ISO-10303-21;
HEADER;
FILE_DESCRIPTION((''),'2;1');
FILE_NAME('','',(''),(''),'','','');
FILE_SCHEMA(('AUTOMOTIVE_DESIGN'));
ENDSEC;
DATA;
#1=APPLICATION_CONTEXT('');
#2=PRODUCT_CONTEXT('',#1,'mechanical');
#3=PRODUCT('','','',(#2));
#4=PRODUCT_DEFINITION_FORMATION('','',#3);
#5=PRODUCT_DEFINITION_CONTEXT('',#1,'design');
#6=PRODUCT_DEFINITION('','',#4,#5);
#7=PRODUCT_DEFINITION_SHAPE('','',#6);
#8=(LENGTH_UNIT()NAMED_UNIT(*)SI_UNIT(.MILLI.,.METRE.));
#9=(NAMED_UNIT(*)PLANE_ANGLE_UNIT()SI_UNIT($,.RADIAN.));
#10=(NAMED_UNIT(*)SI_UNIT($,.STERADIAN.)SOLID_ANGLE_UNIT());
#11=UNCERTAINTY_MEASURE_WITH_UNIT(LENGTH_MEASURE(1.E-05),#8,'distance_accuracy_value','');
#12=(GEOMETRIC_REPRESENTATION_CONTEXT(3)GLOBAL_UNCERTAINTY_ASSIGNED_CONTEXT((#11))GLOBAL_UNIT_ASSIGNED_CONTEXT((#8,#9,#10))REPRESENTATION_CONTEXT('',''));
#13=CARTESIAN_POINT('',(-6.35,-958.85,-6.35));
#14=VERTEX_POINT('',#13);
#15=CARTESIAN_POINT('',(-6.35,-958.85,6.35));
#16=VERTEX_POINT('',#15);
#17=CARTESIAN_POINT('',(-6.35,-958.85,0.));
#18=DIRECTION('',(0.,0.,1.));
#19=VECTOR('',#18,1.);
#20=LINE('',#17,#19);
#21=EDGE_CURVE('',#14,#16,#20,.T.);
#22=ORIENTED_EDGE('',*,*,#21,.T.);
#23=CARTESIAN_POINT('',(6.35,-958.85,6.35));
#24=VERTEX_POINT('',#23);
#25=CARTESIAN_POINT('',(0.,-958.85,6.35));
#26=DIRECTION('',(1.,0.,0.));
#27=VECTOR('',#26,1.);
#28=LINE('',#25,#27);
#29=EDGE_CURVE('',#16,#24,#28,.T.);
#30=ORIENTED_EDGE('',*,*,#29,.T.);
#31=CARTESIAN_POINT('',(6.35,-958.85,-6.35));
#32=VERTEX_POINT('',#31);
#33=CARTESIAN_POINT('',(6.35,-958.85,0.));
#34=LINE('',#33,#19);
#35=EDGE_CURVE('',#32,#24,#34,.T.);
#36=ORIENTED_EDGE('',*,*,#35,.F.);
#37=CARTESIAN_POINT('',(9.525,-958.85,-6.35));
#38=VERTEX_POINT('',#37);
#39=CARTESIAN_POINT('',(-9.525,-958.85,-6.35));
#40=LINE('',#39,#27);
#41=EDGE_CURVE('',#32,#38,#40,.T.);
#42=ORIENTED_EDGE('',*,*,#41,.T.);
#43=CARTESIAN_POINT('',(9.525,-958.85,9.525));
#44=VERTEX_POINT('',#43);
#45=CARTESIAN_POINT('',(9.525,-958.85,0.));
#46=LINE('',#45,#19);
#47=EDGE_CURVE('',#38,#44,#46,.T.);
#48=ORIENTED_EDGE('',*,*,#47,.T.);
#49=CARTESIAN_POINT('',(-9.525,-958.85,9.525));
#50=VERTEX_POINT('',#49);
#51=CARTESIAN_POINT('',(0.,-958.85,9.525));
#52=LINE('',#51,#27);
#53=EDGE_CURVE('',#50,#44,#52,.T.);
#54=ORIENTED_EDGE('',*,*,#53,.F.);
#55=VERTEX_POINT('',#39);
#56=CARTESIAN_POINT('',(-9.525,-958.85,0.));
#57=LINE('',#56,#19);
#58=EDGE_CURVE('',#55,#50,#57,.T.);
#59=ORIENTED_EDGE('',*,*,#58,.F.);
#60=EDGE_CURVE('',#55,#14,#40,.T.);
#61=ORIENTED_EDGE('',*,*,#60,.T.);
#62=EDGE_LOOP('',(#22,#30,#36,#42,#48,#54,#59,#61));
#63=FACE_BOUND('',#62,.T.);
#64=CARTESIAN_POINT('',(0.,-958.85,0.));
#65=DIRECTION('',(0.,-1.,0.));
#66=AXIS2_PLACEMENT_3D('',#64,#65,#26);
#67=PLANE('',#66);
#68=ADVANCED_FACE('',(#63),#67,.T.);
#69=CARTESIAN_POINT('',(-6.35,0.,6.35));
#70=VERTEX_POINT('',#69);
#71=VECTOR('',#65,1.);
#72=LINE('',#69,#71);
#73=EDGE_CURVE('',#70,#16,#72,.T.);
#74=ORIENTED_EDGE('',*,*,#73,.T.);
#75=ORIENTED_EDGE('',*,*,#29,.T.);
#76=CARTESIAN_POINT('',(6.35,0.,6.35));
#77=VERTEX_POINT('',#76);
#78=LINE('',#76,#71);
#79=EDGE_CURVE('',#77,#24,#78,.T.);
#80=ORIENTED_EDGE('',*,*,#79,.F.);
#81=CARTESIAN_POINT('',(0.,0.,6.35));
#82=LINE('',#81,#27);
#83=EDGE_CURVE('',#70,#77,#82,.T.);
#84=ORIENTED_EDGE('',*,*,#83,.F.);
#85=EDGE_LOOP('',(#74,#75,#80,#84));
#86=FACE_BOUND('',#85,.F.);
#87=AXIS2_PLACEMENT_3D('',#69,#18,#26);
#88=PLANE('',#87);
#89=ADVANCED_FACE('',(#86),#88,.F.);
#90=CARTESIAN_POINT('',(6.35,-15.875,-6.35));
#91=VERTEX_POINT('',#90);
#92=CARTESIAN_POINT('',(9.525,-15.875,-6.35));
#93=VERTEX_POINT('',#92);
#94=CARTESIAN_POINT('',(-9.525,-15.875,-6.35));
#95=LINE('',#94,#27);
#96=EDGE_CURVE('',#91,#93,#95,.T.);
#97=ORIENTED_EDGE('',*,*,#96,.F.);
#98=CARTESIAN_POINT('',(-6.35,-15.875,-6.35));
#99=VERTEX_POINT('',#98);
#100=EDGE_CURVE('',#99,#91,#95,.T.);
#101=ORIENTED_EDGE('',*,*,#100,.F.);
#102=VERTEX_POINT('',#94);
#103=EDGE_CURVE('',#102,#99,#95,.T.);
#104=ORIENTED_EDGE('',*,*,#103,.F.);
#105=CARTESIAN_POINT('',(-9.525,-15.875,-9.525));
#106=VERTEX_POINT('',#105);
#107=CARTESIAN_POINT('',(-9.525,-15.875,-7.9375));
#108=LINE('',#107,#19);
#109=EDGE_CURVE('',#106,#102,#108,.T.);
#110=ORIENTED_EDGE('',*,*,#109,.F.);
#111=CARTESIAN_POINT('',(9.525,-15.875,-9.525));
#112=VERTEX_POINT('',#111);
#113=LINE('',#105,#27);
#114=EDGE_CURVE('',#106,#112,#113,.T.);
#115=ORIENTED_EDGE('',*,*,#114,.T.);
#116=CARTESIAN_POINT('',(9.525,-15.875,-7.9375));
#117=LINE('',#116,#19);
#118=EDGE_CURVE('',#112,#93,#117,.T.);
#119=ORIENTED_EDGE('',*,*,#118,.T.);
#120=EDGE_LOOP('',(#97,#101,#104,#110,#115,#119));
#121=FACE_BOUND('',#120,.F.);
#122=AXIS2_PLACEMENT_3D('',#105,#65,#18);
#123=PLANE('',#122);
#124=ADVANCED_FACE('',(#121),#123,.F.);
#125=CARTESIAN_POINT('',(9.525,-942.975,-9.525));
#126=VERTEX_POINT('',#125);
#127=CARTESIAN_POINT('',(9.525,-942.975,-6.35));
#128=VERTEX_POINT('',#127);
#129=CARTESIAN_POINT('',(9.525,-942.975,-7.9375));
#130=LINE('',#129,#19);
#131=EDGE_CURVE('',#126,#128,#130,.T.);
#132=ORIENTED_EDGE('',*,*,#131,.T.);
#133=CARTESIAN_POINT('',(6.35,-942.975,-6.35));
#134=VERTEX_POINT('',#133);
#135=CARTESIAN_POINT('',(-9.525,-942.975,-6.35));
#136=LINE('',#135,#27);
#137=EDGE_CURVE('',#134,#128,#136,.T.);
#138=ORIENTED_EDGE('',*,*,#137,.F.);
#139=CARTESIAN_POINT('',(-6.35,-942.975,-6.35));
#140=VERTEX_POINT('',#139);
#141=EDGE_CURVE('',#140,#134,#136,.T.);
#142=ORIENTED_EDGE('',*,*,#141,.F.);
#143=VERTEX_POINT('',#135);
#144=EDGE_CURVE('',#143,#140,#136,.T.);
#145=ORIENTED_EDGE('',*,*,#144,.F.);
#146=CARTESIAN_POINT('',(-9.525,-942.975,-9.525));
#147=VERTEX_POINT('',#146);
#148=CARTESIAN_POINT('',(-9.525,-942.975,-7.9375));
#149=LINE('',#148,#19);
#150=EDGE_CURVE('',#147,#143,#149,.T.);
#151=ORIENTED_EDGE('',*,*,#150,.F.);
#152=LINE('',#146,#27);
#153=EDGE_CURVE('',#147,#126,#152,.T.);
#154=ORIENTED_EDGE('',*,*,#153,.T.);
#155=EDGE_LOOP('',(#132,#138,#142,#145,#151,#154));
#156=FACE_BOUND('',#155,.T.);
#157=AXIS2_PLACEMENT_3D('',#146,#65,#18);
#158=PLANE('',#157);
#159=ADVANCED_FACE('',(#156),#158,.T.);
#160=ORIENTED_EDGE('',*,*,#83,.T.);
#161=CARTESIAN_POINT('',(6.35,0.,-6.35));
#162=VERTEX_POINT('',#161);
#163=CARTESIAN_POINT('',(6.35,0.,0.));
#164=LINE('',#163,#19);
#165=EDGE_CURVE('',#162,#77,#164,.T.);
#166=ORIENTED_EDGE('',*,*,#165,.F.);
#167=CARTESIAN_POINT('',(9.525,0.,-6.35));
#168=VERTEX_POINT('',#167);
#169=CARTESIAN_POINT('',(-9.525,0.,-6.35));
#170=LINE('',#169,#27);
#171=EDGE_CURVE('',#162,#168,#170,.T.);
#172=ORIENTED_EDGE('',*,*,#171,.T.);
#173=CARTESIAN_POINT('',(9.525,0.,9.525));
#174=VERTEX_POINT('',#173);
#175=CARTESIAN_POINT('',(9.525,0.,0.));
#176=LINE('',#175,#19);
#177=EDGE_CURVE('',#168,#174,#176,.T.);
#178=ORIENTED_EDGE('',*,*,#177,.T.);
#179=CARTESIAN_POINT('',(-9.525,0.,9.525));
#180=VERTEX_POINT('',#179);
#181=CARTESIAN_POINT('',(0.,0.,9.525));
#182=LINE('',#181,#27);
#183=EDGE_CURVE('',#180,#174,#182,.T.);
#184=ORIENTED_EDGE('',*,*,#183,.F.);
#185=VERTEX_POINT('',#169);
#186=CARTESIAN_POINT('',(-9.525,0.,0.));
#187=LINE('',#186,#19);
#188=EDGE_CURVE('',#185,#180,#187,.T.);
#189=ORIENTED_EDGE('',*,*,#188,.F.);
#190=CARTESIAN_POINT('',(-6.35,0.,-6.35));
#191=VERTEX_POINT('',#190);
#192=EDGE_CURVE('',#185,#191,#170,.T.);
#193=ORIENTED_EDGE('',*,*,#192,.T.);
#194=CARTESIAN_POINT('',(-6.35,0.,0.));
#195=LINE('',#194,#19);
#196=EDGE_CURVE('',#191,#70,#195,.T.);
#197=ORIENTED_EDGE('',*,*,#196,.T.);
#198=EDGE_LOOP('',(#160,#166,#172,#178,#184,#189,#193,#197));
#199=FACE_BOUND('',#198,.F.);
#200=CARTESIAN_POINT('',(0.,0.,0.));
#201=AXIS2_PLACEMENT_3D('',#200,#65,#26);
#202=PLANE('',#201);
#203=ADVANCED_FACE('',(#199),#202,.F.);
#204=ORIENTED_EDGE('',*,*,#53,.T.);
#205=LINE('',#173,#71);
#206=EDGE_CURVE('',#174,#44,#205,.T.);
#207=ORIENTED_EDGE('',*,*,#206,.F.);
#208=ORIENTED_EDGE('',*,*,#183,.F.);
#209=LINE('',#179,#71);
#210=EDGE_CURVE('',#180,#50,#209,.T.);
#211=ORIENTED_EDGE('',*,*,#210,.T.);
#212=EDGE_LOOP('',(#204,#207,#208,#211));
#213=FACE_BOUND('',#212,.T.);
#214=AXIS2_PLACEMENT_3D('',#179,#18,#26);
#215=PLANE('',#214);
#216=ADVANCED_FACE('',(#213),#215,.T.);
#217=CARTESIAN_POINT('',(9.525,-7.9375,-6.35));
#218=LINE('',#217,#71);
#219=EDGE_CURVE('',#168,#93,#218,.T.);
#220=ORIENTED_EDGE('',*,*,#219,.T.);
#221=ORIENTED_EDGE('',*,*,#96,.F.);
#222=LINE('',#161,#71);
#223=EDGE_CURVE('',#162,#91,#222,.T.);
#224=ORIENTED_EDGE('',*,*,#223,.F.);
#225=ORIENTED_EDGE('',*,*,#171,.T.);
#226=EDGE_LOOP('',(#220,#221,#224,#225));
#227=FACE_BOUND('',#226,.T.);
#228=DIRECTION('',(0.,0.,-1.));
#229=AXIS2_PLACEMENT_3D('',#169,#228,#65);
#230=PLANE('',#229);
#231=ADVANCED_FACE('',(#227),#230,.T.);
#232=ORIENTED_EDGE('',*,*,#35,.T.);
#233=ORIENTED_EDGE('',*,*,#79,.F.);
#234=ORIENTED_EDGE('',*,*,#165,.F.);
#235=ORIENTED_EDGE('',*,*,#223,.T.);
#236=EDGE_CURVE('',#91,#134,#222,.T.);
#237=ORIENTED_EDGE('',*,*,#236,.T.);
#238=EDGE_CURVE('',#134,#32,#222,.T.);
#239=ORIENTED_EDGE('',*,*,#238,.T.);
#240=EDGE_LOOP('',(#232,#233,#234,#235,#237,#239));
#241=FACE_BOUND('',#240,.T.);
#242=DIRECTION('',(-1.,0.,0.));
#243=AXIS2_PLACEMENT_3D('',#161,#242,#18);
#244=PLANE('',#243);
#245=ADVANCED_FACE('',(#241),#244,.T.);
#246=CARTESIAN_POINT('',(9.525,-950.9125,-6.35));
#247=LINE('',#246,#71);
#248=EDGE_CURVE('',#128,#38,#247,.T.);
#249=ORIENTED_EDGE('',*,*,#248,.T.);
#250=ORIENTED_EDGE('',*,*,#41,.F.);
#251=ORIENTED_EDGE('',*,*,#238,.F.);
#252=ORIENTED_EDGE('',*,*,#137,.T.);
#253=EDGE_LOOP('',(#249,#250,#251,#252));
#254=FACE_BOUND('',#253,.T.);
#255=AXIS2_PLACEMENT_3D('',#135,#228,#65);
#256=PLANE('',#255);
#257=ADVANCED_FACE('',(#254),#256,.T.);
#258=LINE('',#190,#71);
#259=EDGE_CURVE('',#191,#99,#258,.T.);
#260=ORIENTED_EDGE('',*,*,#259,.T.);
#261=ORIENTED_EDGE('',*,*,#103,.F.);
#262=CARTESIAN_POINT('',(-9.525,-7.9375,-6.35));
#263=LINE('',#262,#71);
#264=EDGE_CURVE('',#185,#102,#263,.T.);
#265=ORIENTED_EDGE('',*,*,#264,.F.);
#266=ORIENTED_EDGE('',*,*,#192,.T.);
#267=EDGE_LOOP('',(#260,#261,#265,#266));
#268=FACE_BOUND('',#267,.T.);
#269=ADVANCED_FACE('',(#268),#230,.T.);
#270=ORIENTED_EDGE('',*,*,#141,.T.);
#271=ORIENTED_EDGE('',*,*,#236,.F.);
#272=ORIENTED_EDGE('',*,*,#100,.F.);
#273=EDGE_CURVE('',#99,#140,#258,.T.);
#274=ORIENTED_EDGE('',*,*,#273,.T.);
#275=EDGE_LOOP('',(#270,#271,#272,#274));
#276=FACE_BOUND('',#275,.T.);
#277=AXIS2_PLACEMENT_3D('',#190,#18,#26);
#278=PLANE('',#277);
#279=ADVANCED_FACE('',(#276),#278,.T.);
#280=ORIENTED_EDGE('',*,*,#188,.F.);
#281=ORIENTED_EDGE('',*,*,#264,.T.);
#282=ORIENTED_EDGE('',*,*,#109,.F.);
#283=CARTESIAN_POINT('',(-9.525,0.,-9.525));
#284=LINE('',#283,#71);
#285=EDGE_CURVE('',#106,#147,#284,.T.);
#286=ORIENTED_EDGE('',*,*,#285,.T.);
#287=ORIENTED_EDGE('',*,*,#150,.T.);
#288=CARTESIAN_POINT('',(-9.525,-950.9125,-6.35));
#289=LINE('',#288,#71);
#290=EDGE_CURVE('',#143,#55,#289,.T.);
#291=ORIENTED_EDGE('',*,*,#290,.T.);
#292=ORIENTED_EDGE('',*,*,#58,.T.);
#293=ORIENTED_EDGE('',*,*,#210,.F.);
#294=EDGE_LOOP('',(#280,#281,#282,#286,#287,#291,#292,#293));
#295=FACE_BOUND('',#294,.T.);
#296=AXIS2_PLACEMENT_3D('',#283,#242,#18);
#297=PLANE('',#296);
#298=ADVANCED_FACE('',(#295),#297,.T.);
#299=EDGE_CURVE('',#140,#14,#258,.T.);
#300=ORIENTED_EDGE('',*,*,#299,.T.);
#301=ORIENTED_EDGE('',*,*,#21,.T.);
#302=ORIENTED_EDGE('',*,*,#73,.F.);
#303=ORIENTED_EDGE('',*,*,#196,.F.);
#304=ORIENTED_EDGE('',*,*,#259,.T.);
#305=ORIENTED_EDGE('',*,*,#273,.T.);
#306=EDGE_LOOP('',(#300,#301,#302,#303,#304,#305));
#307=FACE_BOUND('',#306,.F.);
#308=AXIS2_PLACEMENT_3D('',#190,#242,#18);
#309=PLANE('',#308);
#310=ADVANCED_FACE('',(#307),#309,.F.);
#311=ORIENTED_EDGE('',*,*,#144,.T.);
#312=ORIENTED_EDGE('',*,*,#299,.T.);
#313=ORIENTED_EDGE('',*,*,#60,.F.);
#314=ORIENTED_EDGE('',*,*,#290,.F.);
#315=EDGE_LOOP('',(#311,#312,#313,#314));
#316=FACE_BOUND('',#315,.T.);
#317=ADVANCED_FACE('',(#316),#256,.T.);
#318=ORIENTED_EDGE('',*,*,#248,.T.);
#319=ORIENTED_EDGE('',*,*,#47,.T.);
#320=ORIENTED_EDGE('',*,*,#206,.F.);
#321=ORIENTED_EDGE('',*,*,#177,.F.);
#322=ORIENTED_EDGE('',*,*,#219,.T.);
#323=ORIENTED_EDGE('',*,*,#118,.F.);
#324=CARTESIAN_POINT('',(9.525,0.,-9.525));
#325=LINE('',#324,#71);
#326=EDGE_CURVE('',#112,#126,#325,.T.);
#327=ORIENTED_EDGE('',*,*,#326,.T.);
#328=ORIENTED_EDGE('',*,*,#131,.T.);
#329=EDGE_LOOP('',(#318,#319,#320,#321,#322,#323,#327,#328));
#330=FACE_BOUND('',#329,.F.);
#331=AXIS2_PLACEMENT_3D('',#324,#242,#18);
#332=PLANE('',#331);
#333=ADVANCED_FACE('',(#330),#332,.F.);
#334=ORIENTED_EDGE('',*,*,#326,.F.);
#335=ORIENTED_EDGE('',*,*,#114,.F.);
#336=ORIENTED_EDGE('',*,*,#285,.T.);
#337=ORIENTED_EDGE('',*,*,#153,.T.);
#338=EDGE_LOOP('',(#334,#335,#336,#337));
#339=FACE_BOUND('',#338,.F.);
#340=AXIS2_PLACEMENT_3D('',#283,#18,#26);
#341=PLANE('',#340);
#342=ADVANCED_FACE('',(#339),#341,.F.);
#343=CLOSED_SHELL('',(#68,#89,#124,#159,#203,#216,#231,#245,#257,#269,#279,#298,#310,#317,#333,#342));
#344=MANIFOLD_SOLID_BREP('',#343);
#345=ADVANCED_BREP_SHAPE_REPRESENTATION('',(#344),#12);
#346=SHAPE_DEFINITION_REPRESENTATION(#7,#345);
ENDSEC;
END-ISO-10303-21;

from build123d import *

# Parameters (mm, degrees)
F0_W     = 19.05
F0_H     = 19.05
F0_W_2   = 12.7
F0_H_2   = 12.7
F1_DEPTH = 958.85
F2_W     = 15.875
F2_H     = 3.175
F3_DEPTH = 19.05


with BuildPart() as f1:
    # F0 (on Front) → F1 (new body)
    with BuildSketch(Plane.XZ):
        Rectangle(F0_W, F0_H)
        Rectangle(F0_W_2, F0_H_2, mode=Mode.SUBTRACT)
    extrude(amount=F1_DEPTH)

    # F2 (on face) → F3 (cut)
    with BuildSketch(Plane(origin=(-9.525, 0, 0), x_dir=(0, -1, 0), z_dir=(-1, 0, 0))):
        with Locations((7.9375, -7.9375)):
            Rectangle(F2_W, F2_H)
        with Locations((950.9125, -7.9375)):
            Rectangle(F2_W, F2_H)
    extrude(amount=-F3_DEPTH, mode=Mode.SUBTRACT)


solid = f1.part
